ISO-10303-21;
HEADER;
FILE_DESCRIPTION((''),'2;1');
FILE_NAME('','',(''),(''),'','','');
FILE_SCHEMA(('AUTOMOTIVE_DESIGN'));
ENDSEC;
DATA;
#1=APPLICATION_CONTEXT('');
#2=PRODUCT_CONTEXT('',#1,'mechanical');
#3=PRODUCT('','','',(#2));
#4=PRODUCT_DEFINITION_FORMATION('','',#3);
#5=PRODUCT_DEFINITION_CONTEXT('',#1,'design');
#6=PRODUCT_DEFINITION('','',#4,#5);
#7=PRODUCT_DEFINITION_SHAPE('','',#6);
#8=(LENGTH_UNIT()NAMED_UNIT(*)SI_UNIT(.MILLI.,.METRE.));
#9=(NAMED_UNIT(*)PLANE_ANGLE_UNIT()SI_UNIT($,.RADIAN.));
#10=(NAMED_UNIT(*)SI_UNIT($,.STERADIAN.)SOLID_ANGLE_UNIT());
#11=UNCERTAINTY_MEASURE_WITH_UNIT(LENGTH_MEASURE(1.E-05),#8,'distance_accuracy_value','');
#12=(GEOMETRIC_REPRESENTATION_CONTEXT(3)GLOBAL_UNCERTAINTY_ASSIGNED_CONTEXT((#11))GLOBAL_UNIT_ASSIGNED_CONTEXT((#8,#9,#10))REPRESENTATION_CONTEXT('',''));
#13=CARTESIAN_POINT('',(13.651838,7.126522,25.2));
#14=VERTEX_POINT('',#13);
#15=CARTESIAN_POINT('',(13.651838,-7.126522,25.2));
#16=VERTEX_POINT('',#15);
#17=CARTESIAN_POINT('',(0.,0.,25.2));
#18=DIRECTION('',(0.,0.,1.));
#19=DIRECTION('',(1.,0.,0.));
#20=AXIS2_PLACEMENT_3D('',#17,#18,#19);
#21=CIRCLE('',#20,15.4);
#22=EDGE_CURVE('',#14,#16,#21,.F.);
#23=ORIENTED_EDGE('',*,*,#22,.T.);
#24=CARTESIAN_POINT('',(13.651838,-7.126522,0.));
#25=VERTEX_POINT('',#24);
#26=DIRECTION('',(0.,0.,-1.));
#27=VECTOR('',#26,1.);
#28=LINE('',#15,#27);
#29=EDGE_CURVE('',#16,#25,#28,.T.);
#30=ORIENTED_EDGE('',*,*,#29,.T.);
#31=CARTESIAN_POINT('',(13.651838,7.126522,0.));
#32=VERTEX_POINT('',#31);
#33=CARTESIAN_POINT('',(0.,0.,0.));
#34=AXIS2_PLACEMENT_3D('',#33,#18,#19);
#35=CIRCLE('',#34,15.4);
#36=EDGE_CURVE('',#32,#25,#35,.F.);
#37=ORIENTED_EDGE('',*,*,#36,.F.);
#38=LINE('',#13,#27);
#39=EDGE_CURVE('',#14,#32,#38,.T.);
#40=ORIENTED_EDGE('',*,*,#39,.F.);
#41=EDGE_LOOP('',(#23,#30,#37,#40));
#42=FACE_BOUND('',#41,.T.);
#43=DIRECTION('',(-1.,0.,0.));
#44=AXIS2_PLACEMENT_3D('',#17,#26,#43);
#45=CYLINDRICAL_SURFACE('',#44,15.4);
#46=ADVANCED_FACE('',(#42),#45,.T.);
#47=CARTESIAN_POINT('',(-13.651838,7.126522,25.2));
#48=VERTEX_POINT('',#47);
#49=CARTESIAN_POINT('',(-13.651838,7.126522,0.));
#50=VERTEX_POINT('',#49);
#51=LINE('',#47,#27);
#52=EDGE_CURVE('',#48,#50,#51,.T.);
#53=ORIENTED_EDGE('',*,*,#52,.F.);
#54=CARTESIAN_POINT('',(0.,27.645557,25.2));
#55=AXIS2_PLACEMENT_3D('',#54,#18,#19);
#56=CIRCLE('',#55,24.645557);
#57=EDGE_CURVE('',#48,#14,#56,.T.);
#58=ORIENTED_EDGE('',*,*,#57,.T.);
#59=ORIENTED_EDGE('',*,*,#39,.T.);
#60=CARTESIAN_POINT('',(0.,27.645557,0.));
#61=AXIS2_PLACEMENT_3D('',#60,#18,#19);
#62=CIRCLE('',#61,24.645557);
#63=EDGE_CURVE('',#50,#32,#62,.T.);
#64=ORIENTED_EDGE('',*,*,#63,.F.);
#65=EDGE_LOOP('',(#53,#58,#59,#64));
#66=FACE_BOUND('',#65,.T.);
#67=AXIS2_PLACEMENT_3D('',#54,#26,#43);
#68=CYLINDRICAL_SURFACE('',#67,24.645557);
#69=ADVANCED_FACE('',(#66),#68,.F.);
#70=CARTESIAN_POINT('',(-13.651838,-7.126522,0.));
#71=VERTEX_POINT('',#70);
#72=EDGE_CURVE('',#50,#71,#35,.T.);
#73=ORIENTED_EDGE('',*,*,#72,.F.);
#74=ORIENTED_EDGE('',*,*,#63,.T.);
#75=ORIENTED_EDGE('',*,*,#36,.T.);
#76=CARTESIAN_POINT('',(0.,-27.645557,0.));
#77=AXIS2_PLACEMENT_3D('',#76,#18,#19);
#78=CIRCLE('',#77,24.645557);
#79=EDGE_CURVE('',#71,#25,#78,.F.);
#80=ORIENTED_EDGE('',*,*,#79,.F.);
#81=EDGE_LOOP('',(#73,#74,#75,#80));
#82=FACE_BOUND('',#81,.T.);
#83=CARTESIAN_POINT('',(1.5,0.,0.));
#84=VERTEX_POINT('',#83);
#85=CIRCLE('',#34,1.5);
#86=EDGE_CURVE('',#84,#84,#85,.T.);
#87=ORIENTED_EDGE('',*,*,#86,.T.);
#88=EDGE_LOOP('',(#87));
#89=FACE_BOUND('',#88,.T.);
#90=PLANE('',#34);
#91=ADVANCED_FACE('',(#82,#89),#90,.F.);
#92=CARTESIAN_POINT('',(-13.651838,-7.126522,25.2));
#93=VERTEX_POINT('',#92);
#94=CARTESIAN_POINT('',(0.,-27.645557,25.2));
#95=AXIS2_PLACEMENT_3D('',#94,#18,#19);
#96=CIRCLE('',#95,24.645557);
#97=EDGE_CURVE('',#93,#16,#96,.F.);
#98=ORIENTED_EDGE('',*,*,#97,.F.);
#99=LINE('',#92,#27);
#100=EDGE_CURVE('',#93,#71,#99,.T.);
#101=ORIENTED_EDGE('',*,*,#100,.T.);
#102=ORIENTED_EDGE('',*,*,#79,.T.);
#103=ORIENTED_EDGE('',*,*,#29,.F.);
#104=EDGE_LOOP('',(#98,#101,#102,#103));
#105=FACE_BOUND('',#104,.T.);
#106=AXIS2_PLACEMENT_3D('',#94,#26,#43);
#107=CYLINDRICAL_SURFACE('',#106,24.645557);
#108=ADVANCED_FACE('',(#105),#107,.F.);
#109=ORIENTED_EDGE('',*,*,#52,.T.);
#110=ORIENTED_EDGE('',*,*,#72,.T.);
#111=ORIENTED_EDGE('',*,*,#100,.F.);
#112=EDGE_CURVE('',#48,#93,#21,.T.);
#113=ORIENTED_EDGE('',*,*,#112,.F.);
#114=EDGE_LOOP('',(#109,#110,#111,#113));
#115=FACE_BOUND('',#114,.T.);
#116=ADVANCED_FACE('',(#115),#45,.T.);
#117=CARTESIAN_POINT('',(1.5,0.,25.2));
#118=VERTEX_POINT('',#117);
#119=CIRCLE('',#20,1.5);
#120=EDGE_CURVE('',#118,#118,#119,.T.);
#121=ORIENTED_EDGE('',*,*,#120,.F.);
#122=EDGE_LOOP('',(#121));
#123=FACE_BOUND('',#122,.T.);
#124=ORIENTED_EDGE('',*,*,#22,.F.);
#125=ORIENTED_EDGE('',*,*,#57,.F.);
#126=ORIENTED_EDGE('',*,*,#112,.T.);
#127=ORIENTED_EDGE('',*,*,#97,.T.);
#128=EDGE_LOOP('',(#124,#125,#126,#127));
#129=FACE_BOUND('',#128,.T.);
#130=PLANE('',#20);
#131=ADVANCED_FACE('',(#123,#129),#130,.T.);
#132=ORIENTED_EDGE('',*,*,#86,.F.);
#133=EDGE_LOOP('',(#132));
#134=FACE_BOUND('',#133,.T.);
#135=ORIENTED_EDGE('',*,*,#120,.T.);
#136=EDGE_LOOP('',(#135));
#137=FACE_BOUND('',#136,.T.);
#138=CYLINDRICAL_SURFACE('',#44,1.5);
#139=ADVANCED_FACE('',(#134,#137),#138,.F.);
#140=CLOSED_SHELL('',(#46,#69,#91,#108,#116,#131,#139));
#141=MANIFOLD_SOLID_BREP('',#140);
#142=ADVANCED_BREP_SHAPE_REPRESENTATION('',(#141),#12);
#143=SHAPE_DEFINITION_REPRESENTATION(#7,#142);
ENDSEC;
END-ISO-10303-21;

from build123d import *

# Parameters (mm, degrees)
SKETCH_1_R      = 1.5
EXTRUDE_1_DEPTH = 25.2


with BuildPart() as part:
    # 草图1 → 凸台-拉伸1 (new body)
    with BuildSketch(Plane.XY):
        with BuildLine():
            ThreePointArc((-13.651838143, 7.126521965), (-14.525683909, 5.115125313), (-15.104966071, 3))
            Line((-15.104966071, 3), (1.6e-08, 3))
            ThreePointArc((1.6e-08, 3), (-7.130933806, 4.054175866), (-13.651838143, 7.126521965))
        make_face()
        with BuildLine():
            Line((1.6e-08, 3), (-15.104966071, 3))
            ThreePointArc((-15.104966071, 3), (-15.326064033, 1.507236297), (-15.4, 0))
            ThreePointArc((-15.4, 0), (-15.326064033, -1.507236297), (-15.104966071, -3))
            Line((-15.104966071, -3), (0, -3))
            Line((0, -3), (15.104966071, -3))
            ThreePointArc((15.104966071, -3), (15.326064033, -1.507236297), (15.4, 0))
            ThreePointArc((15.4, 0), (15.326064033, 1.507236297), (15.104966071, 3))
            Line((15.104966071, 3), (1.6e-08, 3))
        make_face()
        Circle(SKETCH_1_R, mode=Mode.SUBTRACT)
        with BuildLine():
            Line((0, -3), (-15.104966071, -3))
            ThreePointArc((-15.104966071, -3), (-14.525683909, -5.115125313), (-13.651838143, -7.126521965))
            ThreePointArc((-13.651838143, -7.126521965), (-7.130933814, -4.054175868), (0, -3))
        make_face()
        with BuildLine():
            ThreePointArc((13.651838143, 7.126521965), (7.130933821, 4.05417587), (1.6e-08, 3))
            Line((1.6e-08, 3), (15.104966071, 3))
            ThreePointArc((15.104966071, 3), (14.525683909, 5.115125313), (13.651838143, 7.126521965))
        make_face()
        with BuildLine():
            Line((15.104966071, -3), (0, -3))
            ThreePointArc((0, -3), (7.130933814, -4.054175868), (13.651838143, -7.126521965))
            ThreePointArc((13.651838143, -7.126521965), (14.525683909, -5.115125313), (15.104966071, -3))
        make_face()
    extrude(amount=EXTRUDE_1_DEPTH)


solid = part.part
